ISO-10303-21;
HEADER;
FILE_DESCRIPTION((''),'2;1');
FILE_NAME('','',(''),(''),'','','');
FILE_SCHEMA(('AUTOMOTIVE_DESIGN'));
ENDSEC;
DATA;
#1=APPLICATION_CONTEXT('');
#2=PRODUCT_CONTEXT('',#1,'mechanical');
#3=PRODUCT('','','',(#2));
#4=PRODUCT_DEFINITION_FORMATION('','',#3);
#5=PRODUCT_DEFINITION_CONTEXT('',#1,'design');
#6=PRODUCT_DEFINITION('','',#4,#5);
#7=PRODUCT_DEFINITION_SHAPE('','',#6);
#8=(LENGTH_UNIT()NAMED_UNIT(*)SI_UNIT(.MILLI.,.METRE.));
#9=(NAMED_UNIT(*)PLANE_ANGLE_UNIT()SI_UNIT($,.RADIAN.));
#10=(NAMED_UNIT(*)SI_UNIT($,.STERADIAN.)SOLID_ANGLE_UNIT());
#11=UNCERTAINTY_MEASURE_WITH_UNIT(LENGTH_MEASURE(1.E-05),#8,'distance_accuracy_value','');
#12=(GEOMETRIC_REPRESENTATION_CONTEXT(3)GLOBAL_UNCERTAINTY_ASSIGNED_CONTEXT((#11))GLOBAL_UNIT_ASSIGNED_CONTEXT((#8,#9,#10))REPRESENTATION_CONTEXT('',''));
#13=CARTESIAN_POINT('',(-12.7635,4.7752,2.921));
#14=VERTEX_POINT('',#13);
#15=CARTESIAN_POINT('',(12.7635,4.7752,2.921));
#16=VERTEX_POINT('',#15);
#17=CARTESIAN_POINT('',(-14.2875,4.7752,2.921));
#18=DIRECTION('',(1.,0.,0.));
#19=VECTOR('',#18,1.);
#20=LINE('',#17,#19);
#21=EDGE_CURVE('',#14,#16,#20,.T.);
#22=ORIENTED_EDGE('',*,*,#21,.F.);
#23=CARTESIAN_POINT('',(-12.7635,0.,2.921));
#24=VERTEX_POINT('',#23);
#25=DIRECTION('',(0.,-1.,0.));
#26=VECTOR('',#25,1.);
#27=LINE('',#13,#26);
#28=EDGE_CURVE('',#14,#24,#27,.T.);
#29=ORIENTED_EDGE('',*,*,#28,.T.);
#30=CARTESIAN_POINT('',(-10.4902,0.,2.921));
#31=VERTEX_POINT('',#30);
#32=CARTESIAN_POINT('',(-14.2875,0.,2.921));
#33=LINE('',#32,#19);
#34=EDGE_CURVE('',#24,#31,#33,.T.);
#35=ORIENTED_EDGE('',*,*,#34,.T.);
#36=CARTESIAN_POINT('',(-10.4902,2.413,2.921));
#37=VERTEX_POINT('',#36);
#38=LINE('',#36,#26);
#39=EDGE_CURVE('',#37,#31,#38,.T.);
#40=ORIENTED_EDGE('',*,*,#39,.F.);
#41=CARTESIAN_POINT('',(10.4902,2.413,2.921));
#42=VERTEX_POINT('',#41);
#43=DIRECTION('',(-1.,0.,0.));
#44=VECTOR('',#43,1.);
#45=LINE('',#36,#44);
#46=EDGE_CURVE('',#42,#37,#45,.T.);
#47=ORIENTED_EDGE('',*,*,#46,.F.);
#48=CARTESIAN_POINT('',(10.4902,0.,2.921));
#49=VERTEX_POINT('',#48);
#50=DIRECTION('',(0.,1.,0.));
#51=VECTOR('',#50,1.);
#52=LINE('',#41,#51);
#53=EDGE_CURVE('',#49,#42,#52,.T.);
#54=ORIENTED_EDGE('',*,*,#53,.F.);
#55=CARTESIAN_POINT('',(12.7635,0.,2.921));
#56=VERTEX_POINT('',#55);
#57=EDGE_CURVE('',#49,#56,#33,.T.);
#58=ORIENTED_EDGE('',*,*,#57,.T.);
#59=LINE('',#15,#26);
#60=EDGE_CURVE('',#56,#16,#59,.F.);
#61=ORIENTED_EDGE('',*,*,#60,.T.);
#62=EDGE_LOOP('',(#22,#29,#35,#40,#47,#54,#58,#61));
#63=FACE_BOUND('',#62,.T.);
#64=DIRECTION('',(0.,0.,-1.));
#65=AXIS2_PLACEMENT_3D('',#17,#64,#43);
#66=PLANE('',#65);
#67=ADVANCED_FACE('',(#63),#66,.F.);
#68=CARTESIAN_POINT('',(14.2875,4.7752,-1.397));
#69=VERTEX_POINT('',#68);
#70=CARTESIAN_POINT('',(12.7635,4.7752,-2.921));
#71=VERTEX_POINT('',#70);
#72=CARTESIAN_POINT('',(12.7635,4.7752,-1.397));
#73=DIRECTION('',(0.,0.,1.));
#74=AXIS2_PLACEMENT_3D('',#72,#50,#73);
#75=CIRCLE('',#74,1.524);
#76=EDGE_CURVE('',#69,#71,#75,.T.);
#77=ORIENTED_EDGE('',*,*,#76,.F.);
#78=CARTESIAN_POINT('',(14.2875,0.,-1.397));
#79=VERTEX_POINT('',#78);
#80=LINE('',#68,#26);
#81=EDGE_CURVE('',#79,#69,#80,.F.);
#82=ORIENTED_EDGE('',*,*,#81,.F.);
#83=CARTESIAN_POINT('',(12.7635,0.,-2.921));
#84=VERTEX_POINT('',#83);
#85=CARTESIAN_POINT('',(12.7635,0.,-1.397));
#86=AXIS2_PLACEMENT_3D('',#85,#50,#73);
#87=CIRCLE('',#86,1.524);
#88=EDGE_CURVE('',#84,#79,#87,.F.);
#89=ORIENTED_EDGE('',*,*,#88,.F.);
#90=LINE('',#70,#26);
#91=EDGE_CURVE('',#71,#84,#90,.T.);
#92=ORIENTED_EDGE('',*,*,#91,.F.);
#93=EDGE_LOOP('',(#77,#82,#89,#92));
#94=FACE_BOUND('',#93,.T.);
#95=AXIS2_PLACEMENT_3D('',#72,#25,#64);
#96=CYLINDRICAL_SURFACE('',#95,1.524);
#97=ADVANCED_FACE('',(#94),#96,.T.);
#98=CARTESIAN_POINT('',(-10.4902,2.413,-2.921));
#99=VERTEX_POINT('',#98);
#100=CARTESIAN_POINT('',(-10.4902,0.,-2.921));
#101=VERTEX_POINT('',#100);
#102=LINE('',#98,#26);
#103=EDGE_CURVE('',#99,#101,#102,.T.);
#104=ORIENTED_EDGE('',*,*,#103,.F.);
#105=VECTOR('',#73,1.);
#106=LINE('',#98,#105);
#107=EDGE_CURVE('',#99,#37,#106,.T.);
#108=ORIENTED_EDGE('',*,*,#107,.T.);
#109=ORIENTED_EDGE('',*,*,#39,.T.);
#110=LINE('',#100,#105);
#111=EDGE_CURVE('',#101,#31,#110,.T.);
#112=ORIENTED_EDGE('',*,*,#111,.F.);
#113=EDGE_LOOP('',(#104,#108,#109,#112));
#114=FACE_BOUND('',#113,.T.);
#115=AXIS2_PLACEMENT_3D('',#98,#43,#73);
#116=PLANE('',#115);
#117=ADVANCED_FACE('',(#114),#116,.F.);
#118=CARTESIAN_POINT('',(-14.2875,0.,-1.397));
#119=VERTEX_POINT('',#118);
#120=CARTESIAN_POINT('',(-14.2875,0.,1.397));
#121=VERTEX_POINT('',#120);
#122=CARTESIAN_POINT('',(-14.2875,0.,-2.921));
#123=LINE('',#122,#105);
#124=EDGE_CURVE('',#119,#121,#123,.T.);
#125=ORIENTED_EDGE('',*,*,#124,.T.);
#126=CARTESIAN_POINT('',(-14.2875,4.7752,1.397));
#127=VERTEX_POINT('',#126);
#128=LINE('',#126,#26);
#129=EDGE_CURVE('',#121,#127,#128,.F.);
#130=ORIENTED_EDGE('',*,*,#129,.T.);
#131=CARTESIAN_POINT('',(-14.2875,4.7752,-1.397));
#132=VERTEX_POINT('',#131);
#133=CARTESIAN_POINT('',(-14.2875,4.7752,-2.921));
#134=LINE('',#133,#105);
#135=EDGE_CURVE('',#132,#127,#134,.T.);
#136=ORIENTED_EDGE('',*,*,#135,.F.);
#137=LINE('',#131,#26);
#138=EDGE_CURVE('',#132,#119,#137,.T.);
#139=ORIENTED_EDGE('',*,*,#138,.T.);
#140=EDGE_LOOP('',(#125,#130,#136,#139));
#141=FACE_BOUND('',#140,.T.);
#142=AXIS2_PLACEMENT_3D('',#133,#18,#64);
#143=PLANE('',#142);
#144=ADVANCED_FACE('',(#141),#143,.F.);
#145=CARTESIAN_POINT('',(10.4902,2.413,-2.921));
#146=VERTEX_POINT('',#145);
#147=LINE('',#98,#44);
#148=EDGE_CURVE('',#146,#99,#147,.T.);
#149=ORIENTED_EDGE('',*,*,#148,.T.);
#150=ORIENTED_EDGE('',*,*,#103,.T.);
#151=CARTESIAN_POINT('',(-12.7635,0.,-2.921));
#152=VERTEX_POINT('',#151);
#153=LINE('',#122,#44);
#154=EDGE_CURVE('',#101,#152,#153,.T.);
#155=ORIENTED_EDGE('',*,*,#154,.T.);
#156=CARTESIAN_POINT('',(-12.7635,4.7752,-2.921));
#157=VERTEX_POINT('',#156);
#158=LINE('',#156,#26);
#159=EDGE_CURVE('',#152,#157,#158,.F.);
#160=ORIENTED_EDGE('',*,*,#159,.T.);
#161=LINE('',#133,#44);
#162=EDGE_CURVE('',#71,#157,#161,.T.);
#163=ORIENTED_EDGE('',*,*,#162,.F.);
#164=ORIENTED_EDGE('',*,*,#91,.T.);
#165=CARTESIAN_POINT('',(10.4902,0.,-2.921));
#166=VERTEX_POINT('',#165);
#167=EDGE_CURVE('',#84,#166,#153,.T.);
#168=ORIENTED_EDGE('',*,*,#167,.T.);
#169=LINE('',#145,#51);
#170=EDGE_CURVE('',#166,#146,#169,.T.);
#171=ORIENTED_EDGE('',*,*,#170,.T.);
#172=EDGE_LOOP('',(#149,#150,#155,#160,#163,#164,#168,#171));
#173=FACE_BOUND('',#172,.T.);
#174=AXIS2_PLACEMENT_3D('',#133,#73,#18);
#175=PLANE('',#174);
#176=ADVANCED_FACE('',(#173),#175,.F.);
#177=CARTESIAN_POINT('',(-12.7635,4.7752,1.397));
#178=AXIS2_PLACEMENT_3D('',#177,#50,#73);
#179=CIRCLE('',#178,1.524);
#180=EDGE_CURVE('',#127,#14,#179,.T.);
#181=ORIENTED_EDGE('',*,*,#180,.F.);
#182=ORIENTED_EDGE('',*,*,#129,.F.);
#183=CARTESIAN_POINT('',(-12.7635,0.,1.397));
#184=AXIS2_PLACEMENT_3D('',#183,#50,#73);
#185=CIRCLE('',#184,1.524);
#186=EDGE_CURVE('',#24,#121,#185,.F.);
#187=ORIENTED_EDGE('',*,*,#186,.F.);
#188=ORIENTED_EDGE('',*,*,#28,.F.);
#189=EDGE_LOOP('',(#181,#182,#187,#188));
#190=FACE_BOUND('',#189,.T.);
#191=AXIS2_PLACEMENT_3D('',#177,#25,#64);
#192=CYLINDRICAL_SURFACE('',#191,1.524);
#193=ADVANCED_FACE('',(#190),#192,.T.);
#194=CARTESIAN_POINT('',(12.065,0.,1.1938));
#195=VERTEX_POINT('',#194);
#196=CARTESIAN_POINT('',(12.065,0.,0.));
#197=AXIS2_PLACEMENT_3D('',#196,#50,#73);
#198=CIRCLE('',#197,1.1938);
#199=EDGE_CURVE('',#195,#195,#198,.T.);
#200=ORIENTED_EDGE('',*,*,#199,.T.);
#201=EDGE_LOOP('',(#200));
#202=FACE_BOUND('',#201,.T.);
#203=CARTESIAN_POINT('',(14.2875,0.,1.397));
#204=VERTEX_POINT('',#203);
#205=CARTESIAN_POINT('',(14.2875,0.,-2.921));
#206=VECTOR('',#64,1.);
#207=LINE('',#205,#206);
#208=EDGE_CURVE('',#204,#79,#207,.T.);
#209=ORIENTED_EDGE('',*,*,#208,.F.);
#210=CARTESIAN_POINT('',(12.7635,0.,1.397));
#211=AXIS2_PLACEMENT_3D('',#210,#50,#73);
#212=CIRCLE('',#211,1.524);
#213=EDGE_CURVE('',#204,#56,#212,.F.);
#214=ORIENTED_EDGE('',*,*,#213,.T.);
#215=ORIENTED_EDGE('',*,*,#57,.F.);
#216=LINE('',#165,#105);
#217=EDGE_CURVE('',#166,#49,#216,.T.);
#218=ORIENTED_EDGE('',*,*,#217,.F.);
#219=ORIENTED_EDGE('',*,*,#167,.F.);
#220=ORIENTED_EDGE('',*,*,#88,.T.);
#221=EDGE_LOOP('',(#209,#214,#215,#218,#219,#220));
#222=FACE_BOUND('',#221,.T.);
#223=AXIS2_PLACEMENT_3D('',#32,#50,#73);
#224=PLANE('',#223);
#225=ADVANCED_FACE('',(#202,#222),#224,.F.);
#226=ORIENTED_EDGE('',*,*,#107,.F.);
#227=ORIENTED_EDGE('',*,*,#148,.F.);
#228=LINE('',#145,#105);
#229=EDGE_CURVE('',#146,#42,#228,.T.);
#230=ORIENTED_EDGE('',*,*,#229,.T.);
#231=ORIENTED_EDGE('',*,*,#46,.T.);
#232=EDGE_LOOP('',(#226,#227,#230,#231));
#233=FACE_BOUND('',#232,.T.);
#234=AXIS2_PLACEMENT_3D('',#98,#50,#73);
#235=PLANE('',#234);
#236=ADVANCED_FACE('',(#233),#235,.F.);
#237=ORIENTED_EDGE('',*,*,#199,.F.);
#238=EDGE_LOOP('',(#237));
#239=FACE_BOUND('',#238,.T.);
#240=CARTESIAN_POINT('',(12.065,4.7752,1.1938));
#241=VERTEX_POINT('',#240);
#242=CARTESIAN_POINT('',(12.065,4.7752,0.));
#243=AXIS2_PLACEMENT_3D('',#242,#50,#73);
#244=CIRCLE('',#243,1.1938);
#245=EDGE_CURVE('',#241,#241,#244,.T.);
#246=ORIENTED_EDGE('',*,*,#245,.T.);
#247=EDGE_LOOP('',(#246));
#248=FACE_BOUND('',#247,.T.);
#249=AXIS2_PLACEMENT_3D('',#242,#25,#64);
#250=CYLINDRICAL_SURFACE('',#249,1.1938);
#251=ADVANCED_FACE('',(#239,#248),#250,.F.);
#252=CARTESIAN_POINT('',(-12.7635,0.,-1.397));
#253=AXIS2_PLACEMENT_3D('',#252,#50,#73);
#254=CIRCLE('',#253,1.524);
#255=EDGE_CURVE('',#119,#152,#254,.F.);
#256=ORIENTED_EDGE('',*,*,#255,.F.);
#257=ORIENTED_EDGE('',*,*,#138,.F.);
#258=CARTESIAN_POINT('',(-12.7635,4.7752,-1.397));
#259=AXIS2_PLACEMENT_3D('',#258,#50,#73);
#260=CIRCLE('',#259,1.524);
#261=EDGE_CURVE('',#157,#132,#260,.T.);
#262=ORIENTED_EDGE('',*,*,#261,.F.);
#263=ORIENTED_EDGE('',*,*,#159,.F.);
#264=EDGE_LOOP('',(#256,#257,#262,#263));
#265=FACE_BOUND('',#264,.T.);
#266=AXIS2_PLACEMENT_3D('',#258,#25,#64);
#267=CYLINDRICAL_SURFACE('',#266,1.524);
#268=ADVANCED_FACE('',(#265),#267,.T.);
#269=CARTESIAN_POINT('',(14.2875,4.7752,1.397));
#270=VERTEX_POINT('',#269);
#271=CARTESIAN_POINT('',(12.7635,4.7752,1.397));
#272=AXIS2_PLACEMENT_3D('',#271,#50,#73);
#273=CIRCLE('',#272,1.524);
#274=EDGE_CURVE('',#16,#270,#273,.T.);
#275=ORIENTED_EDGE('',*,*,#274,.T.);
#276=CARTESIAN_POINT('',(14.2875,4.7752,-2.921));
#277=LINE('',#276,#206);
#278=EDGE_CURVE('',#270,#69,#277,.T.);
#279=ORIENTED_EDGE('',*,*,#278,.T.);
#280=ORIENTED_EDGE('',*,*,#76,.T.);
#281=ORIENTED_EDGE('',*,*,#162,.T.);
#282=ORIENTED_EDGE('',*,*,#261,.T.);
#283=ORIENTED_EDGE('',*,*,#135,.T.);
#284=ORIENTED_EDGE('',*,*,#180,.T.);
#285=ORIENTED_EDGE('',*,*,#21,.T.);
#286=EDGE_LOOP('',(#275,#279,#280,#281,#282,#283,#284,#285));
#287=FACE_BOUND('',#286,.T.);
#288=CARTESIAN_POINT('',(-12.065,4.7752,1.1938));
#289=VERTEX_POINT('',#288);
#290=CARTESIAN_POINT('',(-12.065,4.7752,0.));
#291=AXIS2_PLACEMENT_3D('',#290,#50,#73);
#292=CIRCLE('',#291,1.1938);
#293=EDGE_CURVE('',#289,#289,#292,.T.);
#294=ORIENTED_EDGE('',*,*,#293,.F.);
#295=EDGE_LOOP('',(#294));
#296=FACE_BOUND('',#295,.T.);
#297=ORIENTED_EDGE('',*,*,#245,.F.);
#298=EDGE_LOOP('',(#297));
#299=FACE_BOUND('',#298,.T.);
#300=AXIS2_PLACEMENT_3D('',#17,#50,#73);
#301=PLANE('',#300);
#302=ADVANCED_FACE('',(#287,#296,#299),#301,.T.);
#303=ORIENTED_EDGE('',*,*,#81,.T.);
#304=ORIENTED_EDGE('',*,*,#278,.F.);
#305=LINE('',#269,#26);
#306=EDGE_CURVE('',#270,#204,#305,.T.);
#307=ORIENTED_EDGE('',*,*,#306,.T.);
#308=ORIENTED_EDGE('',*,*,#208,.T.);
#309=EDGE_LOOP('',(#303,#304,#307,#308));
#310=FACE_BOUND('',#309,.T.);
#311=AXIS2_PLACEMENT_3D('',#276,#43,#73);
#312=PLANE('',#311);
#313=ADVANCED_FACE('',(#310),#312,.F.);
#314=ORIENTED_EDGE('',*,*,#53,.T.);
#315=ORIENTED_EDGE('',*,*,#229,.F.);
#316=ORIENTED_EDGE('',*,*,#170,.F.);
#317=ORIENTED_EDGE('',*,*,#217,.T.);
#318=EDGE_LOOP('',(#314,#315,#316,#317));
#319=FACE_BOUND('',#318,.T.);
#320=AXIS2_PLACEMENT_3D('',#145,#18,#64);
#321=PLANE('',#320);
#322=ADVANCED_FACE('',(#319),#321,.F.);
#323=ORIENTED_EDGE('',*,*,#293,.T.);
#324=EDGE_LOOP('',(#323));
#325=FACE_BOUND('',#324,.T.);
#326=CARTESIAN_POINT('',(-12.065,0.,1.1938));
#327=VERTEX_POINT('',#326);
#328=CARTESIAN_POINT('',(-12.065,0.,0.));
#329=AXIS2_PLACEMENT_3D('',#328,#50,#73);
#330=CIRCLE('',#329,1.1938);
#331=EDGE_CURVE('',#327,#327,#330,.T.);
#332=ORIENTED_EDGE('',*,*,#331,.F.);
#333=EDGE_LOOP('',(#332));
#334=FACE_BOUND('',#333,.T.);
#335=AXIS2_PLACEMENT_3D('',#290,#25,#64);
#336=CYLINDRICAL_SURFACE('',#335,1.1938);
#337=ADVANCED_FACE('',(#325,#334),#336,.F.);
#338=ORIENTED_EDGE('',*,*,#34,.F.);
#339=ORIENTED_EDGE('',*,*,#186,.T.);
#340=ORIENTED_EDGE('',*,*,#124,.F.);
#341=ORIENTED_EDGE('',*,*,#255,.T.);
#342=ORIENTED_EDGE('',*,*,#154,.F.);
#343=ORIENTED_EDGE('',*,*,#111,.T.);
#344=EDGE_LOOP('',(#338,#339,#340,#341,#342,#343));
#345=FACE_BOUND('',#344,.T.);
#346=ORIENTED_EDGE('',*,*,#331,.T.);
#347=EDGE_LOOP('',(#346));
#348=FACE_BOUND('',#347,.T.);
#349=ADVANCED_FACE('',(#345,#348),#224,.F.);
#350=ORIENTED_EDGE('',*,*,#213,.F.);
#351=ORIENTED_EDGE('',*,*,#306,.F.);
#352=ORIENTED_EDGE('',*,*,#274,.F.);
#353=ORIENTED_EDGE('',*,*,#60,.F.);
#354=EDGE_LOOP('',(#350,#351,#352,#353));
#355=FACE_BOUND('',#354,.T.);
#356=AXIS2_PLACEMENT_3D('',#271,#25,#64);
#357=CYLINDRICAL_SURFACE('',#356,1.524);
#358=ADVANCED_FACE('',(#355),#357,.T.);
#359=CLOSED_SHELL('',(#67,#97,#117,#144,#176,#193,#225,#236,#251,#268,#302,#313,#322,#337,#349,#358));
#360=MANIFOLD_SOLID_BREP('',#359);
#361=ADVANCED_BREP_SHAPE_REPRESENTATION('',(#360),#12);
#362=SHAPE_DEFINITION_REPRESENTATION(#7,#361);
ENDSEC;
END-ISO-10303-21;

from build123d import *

# Parameters (mm, degrees)
SKETCH1_W               = 28.575
SKETCH1_H               = 5.842
SKETCH1_R               = 1.1938
BOSS_EXTRUDE1_DEPTH     = 4.7752
FILLET1_R               = 1.524
CUT_EXTRUDE2_DEPTH      = 16.344948103
CUT_EXTRUDE2_DEPTH_BACK = 16.344948103
SKETCH3_W               = 20.9804
SKETCH3_H               = 2.413


with BuildPart() as part:
    # Sketch1 → Boss-Extrude1 (new body)
    with BuildSketch(Plane(origin=(0, 0, 0), x_dir=(1, 0, 0), z_dir=(0, 1, 0))):
        Rectangle(SKETCH1_W, SKETCH1_H)
        with Locations(Location((12.065, 0, 0), (0, 0, 270))):
            Circle(SKETCH1_R, mode=Mode.SUBTRACT)
        with Locations(Location((-12.065, 0, 0), (0, 0, 270))):
            Circle(SKETCH1_R, mode=Mode.SUBTRACT)
    extrude(amount=BOSS_EXTRUDE1_DEPTH)

    # Fillet1
    fillet1_edges = [part.edges().sort_by_distance(p)[0] for p in [
        (-14.2875, 2.3876, -2.921),
        (14.2875, 2.3876, -2.921),
        (14.2875, 2.3876, 2.921),
        (-14.2875, 2.3876, 2.921),
    ]]
    fillet(fillet1_edges, radius=FILLET1_R)

    # Sketch3 → Cut-Extrude2 (cut, two sides: drawn at the far end of the back side and taken through both)
    with BuildSketch(Plane.XY.offset(-CUT_EXTRUDE2_DEPTH_BACK)):
        with Locations((0, 1.2065)):
            Rectangle(SKETCH3_W, SKETCH3_H)
    extrude(amount=CUT_EXTRUDE2_DEPTH + CUT_EXTRUDE2_DEPTH_BACK, mode=Mode.SUBTRACT)


solid = part.part
